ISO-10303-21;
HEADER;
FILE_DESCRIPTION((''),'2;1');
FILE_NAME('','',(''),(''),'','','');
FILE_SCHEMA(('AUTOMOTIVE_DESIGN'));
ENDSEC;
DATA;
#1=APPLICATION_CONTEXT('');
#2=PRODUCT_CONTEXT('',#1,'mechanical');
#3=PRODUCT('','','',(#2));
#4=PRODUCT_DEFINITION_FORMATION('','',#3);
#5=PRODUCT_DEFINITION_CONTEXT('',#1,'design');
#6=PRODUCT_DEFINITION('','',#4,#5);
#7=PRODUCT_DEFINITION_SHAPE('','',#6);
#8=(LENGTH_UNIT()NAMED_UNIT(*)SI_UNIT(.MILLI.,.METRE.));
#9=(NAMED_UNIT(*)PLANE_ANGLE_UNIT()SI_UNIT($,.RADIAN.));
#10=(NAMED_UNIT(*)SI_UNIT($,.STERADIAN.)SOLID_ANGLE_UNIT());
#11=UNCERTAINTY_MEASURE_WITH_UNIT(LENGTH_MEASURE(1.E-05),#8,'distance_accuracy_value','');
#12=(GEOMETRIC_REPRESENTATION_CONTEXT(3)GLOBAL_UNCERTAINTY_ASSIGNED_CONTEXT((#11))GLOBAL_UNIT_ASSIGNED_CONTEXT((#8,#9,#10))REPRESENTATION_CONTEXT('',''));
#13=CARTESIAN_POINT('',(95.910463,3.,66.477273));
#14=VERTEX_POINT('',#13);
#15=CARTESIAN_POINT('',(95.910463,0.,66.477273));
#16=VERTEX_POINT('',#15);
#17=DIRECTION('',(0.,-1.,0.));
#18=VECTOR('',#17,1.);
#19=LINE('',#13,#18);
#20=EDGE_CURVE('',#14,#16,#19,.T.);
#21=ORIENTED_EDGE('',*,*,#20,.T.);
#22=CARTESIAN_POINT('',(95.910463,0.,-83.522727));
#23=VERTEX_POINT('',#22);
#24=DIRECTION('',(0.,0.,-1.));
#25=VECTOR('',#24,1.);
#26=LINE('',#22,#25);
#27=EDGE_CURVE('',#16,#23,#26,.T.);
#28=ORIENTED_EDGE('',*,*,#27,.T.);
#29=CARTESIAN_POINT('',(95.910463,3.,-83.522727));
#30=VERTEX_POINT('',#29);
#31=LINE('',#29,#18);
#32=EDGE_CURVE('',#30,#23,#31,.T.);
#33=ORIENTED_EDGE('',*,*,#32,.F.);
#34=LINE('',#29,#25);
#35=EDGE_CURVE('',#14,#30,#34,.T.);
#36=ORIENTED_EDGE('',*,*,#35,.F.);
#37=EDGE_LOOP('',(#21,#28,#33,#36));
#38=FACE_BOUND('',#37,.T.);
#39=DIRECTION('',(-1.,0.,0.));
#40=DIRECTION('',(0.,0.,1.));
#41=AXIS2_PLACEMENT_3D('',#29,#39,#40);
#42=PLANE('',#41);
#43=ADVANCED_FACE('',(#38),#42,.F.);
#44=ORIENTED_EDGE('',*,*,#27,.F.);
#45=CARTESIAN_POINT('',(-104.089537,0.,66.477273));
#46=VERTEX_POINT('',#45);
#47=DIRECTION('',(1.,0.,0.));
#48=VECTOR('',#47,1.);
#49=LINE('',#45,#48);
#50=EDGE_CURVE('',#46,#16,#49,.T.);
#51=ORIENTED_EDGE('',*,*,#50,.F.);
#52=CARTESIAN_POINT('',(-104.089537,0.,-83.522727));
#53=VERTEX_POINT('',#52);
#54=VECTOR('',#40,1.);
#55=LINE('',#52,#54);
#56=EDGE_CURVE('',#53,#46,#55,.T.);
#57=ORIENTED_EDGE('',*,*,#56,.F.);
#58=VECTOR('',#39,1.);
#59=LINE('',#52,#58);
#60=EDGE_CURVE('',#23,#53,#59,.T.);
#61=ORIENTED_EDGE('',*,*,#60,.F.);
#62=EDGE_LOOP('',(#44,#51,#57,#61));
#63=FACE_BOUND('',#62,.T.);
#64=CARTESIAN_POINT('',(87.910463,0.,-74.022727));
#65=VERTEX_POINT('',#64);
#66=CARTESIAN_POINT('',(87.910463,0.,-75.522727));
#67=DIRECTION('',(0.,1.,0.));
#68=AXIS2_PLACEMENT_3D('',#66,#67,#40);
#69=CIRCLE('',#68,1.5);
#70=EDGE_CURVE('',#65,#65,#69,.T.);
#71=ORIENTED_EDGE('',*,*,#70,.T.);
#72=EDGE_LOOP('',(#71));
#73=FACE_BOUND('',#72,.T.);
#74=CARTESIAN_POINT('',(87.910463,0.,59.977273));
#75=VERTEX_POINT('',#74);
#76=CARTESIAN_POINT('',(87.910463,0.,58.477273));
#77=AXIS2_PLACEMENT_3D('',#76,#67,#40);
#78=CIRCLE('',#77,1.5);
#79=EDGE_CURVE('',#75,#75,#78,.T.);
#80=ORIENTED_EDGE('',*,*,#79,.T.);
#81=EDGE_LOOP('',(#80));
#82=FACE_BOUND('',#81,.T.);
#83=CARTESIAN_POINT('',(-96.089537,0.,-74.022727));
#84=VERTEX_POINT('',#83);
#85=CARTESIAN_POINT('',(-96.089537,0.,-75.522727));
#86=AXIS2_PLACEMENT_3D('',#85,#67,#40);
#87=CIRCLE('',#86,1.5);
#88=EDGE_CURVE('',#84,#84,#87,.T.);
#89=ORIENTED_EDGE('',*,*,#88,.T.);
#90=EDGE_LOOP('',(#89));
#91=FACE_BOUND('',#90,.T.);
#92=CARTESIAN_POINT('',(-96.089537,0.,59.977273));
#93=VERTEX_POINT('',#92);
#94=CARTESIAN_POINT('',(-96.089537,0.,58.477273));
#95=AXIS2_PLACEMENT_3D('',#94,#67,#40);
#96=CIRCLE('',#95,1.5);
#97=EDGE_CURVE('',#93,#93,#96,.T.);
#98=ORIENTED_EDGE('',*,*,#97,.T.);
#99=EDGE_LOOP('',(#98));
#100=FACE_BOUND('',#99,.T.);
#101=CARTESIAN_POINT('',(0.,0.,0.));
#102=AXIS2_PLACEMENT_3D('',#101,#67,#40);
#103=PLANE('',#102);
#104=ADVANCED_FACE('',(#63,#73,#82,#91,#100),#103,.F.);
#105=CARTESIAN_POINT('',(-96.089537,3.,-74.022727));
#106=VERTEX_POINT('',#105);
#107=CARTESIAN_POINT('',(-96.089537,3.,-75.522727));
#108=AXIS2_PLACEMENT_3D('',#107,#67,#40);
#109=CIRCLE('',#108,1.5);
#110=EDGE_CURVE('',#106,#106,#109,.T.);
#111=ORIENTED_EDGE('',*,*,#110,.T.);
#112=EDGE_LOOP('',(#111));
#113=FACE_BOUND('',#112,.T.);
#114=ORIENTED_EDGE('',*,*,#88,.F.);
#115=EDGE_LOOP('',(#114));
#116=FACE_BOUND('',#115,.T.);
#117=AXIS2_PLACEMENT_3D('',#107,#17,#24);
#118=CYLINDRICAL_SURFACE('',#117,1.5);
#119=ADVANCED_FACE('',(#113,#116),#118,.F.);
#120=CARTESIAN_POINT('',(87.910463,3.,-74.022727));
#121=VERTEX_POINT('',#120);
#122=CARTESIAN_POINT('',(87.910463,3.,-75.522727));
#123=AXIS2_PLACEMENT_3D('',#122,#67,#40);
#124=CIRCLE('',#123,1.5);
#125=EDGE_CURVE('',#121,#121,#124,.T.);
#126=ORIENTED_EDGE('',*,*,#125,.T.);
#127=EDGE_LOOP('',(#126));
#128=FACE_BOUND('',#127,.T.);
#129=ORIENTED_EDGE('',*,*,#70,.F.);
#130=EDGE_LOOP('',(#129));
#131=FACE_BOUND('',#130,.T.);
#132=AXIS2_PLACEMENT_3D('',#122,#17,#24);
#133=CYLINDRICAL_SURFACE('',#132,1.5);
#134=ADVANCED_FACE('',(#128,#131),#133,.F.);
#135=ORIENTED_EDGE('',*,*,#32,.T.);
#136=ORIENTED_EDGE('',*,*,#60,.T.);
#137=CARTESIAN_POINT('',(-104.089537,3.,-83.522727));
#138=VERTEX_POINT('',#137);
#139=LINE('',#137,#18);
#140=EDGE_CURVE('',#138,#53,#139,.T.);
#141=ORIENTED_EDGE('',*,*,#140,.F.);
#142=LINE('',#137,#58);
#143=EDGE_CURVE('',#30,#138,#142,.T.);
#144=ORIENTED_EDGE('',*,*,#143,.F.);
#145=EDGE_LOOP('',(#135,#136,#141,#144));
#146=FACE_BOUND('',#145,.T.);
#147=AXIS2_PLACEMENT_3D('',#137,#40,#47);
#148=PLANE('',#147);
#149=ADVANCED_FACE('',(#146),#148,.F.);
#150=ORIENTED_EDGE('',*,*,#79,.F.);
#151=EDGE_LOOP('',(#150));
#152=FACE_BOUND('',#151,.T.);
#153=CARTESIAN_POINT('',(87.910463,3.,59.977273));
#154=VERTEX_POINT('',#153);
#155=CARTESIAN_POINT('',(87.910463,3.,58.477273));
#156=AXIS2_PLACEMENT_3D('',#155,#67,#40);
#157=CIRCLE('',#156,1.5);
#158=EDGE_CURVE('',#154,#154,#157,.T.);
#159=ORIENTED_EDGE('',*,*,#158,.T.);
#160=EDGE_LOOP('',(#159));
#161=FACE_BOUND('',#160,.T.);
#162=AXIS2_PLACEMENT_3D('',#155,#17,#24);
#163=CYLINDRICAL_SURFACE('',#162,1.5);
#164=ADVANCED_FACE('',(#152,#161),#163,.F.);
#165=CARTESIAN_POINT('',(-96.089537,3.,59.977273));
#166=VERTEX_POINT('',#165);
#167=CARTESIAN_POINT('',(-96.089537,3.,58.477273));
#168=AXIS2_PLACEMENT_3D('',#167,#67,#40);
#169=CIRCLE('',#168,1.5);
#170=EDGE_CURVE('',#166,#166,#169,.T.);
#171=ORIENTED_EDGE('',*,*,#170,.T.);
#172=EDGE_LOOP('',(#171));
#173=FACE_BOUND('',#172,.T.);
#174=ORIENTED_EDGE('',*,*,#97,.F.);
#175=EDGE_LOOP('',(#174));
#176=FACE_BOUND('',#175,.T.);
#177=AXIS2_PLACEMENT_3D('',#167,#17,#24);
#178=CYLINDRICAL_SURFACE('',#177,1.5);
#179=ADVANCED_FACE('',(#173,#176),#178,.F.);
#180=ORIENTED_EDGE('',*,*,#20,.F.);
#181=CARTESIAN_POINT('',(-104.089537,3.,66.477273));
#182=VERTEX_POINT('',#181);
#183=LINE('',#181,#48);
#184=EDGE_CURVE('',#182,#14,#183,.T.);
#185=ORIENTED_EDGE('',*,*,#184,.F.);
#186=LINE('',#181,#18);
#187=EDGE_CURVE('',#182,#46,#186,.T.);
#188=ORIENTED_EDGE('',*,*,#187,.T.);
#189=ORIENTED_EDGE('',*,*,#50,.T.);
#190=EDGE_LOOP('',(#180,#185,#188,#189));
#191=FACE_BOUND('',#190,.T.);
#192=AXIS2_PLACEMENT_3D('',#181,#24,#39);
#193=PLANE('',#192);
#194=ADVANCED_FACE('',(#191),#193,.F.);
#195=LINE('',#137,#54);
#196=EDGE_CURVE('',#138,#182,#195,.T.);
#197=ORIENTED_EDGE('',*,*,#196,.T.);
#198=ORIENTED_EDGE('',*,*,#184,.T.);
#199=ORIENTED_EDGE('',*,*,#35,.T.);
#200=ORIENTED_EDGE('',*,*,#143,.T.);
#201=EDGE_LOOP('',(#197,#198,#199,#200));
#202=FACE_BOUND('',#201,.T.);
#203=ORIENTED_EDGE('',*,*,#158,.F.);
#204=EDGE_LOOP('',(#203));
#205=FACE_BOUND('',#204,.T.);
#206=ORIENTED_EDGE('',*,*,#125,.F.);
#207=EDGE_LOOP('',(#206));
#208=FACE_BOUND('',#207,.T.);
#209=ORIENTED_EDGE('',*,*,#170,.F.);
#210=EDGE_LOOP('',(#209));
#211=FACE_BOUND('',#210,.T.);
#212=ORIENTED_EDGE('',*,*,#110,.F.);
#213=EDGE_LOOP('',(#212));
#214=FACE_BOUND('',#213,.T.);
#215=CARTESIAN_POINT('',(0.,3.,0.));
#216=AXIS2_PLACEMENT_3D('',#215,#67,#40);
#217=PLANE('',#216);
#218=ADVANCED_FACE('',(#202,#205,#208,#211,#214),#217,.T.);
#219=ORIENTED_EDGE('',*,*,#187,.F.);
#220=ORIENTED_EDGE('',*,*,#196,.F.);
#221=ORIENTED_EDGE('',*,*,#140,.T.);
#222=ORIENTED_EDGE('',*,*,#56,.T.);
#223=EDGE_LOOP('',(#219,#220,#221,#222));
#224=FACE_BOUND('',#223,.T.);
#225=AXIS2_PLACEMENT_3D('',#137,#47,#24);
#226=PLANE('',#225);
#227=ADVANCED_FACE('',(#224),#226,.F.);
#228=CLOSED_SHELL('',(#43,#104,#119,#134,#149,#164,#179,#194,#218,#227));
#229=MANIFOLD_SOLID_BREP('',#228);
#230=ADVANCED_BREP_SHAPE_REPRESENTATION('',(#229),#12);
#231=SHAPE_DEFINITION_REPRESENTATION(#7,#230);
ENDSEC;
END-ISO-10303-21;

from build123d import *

# Parameters (mm, degrees)
SKETCH_1_W      = 200
SKETCH_1_H      = 150
SKETCH_1_R      = 1.5
EXTRUDE_1_DEPTH = 3


with BuildPart() as part:
    # 草圖1 → 填料-伸長1 (new body)
    with BuildSketch(Plane(origin=(0, 0, 0), x_dir=(1, 0, 0), z_dir=(0, 1, 0))):
        with Locations((-4.089536972, 8.522727273)):
            Rectangle(SKETCH_1_W, SKETCH_1_H)
        with Locations((-96.089536972, 75.522727273)):
            Circle(SKETCH_1_R, mode=Mode.SUBTRACT)
        with Locations((-96.089536972, -58.477272727)):
            Circle(SKETCH_1_R, mode=Mode.SUBTRACT)
        with Locations((87.910463028, -58.477272727)):
            Circle(SKETCH_1_R, mode=Mode.SUBTRACT)
        with Locations((87.910463028, 75.522727273)):
            Circle(SKETCH_1_R, mode=Mode.SUBTRACT)
    extrude(amount=EXTRUDE_1_DEPTH)


solid = part.part
